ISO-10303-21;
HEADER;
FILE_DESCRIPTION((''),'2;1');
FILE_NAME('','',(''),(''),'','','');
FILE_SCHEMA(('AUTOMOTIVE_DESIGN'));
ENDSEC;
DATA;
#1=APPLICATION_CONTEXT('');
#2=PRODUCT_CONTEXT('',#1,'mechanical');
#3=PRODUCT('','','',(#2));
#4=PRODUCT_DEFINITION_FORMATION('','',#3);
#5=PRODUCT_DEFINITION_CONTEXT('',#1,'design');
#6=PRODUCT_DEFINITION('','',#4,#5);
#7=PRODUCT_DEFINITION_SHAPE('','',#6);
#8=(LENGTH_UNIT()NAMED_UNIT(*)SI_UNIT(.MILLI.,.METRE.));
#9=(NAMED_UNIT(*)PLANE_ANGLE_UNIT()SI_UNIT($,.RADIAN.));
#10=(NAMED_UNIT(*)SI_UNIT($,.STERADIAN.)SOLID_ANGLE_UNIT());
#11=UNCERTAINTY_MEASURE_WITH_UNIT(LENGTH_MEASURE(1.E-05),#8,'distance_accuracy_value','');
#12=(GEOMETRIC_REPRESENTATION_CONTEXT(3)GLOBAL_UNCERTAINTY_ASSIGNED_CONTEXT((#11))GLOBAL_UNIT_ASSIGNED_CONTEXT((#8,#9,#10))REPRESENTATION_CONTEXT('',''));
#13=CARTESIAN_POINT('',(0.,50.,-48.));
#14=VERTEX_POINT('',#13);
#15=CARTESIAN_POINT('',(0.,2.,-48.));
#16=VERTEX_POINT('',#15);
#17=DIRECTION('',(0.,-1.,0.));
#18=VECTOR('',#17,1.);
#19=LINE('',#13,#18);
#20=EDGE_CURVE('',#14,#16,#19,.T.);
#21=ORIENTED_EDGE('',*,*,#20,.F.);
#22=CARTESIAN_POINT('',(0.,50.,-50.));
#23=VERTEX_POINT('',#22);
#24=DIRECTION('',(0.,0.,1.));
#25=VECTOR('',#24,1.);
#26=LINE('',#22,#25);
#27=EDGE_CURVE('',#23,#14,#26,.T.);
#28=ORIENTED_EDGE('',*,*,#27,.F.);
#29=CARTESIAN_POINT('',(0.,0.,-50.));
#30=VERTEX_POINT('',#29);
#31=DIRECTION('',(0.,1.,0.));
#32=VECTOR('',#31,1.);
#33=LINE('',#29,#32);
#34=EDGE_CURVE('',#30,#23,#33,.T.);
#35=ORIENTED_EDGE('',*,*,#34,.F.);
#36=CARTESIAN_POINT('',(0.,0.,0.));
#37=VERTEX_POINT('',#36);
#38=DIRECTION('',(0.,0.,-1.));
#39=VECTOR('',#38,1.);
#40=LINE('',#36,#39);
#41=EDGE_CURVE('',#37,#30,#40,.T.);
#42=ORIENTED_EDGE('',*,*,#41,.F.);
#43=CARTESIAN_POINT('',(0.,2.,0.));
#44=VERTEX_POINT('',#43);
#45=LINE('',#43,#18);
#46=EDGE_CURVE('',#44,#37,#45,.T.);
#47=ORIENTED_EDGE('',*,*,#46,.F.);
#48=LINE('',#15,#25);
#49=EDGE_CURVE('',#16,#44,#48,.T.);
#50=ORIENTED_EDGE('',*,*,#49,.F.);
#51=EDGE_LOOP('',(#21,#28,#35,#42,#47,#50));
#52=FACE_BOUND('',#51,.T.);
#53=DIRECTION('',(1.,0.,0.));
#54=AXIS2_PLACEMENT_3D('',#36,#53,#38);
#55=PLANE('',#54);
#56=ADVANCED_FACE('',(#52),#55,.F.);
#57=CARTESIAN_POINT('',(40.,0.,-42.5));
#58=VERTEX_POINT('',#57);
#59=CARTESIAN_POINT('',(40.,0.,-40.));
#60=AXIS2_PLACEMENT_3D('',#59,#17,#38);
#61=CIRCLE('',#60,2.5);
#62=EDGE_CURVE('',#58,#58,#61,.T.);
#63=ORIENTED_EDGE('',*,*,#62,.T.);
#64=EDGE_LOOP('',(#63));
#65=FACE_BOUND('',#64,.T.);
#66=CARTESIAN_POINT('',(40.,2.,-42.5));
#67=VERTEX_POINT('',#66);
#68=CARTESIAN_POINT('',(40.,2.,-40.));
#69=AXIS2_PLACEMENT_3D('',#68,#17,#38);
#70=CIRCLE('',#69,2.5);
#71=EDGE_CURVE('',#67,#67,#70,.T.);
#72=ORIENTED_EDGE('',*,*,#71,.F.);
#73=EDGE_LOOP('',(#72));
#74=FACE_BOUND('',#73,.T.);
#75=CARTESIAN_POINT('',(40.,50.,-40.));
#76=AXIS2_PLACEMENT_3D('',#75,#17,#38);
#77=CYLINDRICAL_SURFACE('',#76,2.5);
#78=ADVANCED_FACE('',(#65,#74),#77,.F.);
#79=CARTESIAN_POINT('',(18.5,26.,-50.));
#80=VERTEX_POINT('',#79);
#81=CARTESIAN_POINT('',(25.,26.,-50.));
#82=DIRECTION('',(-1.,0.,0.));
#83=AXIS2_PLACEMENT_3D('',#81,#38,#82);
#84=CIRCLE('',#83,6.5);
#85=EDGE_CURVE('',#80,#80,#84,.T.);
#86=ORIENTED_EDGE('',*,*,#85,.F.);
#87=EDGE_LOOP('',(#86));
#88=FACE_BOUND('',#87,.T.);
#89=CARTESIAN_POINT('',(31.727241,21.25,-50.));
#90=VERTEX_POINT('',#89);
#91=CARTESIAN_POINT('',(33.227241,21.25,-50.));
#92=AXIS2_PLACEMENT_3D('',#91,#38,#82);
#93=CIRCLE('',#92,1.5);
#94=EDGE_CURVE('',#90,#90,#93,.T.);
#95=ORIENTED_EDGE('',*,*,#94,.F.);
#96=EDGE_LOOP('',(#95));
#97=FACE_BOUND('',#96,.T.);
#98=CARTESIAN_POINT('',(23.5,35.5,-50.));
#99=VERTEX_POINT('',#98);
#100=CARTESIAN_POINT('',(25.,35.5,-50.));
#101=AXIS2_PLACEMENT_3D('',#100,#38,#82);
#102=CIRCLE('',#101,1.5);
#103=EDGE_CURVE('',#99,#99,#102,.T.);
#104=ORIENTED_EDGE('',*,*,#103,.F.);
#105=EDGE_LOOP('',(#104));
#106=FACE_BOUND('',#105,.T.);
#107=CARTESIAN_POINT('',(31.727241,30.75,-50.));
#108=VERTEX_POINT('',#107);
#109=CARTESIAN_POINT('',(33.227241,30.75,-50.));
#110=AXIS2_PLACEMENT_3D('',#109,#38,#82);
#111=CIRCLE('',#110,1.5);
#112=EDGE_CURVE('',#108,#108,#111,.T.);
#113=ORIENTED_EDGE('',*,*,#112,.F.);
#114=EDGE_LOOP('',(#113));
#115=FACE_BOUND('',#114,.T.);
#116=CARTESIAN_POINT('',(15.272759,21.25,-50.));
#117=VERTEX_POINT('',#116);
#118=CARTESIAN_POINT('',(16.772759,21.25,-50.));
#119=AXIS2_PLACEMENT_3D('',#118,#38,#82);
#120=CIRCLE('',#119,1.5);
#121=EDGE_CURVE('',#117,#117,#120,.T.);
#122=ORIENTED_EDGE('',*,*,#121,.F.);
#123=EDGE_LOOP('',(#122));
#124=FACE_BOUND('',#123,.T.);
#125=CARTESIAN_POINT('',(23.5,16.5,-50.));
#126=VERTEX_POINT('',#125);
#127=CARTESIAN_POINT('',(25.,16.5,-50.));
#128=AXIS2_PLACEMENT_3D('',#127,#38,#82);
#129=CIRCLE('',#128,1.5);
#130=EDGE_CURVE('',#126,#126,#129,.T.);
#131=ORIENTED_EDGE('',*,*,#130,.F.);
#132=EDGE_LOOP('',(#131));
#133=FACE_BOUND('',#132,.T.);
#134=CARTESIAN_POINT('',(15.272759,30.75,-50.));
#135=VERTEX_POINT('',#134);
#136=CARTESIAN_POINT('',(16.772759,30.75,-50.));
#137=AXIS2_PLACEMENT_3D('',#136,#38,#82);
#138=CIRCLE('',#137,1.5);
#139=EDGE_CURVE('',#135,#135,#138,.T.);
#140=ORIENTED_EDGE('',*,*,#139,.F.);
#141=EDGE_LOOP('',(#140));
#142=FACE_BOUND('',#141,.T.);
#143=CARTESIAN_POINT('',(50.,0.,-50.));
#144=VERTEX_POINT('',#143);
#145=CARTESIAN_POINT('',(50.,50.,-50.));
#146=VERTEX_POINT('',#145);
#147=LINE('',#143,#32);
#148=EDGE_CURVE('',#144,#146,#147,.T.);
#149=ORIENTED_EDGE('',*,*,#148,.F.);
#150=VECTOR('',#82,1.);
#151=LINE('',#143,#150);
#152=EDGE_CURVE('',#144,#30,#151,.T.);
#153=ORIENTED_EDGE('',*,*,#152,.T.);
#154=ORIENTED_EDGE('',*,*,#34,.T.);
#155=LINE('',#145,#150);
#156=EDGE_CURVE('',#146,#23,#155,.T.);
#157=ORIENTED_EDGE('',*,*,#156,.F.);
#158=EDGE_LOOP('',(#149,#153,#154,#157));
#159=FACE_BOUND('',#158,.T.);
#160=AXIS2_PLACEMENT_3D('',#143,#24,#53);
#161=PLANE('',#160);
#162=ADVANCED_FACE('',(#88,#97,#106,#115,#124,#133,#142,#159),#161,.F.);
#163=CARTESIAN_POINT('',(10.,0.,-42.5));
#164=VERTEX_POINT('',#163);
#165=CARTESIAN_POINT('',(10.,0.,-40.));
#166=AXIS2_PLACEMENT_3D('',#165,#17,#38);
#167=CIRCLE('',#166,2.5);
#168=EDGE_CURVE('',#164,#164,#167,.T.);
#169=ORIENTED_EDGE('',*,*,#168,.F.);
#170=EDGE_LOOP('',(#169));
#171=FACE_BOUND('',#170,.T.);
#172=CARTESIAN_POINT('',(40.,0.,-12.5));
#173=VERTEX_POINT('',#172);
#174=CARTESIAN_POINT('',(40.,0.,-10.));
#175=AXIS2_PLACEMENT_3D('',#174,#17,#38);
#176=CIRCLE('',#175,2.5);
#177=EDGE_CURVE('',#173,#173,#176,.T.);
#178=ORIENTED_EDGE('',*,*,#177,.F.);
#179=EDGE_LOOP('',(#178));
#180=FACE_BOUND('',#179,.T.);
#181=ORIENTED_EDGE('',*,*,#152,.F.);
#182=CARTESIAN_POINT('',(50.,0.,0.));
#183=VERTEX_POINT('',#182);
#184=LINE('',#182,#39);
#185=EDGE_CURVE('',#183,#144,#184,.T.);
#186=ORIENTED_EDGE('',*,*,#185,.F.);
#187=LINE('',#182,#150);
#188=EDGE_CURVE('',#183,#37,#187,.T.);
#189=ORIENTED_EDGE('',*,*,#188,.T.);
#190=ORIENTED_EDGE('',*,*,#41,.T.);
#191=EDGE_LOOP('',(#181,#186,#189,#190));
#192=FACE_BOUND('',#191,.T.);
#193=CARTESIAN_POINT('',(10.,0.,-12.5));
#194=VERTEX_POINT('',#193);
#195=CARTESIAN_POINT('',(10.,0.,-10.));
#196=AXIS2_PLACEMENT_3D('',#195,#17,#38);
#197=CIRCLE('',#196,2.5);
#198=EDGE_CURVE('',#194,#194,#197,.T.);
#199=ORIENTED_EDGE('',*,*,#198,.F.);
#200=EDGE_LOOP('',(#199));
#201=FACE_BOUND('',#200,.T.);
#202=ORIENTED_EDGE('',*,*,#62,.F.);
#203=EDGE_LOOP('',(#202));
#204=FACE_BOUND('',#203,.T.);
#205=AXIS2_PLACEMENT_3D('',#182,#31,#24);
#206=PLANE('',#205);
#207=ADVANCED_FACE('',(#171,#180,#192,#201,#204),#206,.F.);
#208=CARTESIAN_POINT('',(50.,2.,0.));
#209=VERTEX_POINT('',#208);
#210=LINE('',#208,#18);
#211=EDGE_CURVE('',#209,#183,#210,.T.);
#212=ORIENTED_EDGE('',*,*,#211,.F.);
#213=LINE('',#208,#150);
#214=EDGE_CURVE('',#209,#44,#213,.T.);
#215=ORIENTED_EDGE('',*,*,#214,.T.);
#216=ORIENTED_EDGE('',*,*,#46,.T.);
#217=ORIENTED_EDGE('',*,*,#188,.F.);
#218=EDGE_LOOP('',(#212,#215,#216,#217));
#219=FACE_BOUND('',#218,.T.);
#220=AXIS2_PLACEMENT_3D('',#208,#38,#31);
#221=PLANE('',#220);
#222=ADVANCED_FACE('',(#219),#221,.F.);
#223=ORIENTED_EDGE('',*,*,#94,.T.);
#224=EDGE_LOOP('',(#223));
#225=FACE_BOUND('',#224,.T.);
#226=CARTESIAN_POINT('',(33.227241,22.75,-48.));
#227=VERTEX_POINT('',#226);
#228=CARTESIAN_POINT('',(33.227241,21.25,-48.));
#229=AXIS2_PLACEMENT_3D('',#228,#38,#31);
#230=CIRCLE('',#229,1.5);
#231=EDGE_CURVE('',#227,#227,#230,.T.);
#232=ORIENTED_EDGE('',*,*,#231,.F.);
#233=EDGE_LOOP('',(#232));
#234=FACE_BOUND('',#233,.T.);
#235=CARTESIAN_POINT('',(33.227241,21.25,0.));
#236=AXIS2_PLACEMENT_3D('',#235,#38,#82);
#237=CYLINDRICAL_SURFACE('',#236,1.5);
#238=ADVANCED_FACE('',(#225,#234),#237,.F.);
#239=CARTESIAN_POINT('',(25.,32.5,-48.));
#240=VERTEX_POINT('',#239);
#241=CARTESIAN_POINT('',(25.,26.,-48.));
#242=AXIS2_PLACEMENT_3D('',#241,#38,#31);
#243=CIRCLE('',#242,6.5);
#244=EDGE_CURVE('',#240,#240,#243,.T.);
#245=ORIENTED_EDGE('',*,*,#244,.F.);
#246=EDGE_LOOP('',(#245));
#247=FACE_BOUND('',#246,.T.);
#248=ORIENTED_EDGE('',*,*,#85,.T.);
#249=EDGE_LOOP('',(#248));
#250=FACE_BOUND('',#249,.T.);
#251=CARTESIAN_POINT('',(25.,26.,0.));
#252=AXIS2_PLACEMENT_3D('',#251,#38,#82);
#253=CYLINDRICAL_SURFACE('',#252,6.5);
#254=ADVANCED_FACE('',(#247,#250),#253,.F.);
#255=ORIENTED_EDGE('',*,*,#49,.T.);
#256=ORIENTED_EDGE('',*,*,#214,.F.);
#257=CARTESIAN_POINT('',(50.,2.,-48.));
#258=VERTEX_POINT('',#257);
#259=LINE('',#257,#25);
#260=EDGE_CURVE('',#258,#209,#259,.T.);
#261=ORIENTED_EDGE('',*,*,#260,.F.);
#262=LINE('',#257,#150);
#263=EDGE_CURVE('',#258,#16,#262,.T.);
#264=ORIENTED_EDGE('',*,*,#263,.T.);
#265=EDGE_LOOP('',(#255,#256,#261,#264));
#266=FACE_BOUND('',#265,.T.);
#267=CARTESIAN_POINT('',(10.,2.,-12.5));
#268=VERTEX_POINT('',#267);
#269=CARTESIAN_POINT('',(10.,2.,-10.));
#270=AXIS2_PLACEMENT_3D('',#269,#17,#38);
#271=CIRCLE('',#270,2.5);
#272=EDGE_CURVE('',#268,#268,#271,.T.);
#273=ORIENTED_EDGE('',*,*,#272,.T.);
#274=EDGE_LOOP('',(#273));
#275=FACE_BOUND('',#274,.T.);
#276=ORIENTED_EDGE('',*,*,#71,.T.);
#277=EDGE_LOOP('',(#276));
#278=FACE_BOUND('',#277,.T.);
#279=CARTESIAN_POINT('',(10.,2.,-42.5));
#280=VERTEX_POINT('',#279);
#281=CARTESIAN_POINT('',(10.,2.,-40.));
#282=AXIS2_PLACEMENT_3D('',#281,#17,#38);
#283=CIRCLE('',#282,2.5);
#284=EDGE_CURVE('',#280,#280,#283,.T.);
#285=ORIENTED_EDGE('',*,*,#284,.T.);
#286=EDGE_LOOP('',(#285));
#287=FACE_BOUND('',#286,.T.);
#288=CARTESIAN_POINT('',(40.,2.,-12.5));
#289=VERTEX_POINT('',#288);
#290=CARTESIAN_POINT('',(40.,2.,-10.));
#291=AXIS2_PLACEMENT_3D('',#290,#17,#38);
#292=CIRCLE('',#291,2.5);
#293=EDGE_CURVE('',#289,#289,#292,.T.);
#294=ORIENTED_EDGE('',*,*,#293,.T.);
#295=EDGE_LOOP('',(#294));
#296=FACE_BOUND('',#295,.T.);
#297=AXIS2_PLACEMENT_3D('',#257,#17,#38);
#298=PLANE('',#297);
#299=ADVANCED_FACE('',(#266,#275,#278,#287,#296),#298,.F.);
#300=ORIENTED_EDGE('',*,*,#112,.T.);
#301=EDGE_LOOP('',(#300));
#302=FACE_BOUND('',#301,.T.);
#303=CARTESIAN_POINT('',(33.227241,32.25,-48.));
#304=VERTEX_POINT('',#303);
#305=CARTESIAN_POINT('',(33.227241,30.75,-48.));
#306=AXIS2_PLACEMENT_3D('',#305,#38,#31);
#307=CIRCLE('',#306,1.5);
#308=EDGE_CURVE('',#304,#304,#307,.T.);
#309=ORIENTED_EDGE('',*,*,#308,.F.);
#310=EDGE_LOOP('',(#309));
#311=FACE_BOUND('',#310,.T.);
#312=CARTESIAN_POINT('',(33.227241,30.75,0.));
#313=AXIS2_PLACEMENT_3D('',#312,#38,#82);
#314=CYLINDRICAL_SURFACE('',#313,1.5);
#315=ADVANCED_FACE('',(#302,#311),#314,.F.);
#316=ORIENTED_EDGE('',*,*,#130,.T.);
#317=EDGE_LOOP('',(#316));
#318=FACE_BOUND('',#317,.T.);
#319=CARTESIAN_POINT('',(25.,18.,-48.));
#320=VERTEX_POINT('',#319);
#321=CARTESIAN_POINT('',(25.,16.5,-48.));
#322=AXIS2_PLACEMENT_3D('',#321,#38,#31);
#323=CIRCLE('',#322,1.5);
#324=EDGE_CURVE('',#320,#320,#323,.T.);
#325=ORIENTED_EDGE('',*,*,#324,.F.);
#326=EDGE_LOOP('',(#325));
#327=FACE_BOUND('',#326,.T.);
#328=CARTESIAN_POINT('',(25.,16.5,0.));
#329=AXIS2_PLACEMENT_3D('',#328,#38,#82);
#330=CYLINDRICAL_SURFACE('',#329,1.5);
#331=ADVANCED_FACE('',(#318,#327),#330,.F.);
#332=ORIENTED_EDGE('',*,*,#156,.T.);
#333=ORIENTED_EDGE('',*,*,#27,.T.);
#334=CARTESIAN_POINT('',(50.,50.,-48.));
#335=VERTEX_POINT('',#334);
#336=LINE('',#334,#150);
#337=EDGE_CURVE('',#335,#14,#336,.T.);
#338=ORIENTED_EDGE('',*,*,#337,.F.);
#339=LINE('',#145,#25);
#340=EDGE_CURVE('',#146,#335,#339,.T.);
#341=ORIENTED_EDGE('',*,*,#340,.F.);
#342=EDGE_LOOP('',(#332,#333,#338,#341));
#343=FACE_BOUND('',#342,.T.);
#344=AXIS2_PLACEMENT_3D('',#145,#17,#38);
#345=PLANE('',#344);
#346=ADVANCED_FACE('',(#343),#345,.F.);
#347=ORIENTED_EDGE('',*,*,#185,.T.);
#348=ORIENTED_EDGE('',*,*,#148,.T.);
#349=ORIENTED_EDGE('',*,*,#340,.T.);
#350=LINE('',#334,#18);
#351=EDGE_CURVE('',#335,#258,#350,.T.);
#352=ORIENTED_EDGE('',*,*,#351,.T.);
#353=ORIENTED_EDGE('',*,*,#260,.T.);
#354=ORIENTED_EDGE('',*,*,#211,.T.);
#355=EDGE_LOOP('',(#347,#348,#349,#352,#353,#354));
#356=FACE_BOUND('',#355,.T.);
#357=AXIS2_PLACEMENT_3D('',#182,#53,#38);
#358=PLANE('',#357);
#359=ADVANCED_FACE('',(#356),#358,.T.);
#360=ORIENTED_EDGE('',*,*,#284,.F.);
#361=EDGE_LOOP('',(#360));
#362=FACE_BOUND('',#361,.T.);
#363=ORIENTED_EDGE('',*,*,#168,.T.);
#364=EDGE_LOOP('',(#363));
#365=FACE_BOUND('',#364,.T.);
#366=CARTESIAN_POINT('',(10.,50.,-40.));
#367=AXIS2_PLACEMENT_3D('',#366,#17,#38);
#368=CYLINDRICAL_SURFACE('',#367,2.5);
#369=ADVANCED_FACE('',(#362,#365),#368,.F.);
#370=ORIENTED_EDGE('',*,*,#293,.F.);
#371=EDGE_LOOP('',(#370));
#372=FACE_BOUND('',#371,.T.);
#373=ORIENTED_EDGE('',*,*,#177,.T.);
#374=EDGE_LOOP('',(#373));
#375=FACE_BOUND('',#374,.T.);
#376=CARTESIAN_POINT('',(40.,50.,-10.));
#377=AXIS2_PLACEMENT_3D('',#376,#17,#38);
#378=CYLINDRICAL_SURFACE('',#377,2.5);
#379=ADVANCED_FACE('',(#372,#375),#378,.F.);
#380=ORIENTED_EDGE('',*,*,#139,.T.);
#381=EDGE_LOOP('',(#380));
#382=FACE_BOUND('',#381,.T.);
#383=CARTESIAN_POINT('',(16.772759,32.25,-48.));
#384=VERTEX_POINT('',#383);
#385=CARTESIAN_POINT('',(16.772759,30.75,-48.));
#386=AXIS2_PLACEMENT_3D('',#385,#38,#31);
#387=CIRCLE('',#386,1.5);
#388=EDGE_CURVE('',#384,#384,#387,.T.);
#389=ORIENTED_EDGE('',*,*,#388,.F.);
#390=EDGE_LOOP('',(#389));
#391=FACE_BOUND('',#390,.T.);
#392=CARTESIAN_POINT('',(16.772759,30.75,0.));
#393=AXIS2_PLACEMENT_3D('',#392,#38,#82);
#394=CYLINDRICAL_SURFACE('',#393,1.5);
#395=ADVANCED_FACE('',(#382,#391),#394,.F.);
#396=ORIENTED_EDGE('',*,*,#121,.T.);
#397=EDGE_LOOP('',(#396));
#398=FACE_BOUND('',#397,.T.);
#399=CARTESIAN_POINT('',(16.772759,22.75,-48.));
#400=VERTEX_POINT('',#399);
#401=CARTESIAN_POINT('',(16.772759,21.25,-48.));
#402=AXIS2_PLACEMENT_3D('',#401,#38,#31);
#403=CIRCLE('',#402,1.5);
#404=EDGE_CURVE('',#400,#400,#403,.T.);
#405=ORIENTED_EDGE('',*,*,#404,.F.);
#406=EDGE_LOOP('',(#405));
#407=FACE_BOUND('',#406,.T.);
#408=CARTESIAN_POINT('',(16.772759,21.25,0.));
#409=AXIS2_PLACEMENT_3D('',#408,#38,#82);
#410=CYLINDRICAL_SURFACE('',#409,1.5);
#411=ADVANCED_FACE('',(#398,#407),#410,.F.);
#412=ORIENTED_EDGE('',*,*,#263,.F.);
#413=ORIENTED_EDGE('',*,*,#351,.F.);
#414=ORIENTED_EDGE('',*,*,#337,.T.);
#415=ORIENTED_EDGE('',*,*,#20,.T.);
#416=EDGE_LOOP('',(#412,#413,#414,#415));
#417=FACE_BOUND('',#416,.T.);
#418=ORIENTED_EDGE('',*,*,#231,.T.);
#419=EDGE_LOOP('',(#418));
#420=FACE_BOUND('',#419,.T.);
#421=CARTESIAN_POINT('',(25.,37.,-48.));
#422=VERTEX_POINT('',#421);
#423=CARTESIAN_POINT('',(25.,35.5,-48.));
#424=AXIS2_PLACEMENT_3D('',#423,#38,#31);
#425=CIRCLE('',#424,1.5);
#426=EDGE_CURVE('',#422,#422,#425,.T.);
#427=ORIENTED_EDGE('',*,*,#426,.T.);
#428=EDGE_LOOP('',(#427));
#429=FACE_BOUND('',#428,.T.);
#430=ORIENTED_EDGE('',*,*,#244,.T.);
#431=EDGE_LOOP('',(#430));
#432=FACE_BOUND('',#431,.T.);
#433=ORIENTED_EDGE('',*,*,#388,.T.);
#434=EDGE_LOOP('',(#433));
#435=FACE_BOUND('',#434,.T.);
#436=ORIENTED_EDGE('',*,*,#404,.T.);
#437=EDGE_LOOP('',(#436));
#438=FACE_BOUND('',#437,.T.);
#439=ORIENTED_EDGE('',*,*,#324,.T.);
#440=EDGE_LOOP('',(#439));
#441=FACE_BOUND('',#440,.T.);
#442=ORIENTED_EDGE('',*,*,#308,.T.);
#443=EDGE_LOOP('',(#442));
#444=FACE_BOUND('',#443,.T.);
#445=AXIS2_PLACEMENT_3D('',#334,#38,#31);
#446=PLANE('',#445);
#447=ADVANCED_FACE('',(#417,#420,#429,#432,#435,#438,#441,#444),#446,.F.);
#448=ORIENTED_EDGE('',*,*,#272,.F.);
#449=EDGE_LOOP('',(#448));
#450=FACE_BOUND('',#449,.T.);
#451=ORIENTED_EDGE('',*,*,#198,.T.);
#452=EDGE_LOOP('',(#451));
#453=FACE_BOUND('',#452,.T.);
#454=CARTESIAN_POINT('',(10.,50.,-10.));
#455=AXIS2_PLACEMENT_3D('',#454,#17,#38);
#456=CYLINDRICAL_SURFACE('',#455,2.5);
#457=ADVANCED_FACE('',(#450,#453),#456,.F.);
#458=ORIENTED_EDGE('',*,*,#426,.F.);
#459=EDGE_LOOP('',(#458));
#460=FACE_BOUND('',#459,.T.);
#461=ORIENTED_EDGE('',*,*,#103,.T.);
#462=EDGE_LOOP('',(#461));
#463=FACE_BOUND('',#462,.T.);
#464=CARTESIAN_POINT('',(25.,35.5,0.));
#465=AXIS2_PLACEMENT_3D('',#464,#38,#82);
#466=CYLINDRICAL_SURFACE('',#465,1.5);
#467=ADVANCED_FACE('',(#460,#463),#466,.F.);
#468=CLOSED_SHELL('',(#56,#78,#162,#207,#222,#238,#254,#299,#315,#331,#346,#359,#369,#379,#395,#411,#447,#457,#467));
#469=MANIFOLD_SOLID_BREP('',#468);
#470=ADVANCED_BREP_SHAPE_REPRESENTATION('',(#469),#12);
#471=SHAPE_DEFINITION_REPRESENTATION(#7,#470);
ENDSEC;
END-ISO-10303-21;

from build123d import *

# Parameters (mm, degrees)
EXTRUDE_1_DEPTH     = 50
SKETCH_3_R          = 6.5
SKETCH_3_R_2        = 1.5
CUT_EXTRUDE_1_DEPTH = 50
SKETCH_4_R          = 2.5
CUT_EXTRUDE_2_DEPTH = 50


with BuildPart() as part:
    # 草图2 → 凸台-拉伸1 (new body)
    with BuildSketch(Plane(origin=(0, 0, 0), x_dir=(0, 0, -1), z_dir=(1, 0, 0))):
        Polygon((0, 0), (50, 0), (50, 50), (48, 50), (48, 2), (0, 2), align=None)
    extrude(amount=EXTRUDE_1_DEPTH)

    # 草图3 → 切除-拉伸1 (cut)
    with BuildSketch(Plane(origin=(0, 0, -50), x_dir=(-1, 0, 0), z_dir=(0, 0, -1))):
        with Locations((-25, 26)):
            Circle(SKETCH_3_R)
        with Locations((-25, 35.5)):
            Circle(SKETCH_3_R_2)
        with Locations((-16.772758664, 30.75)):
            Circle(SKETCH_3_R_2)
        with Locations((-16.772758664, 21.25)):
            Circle(SKETCH_3_R_2)
        with Locations((-25, 16.5)):
            Circle(SKETCH_3_R_2)
        with Locations((-33.227241336, 21.25)):
            Circle(SKETCH_3_R_2)
        with Locations((-33.227241336, 30.75)):
            Circle(SKETCH_3_R_2)
    extrude(amount=-CUT_EXTRUDE_1_DEPTH, mode=Mode.SUBTRACT)

    # 草图4 → 切除-拉伸2 (cut)
    with BuildSketch(Plane.XZ):
        with Locations(Location((10, -10, 0), (0, 0, 270))):
            Circle(SKETCH_4_R)
        with Locations(Location((40, -10, 0), (0, 0, 270))):
            Circle(SKETCH_4_R)
        with Locations(Location((10, -40, 0), (0, 0, 270))):
            Circle(SKETCH_4_R)
        with Locations(Location((40, -40, 0), (0, 0, 270))):
            Circle(SKETCH_4_R)
    extrude(amount=-CUT_EXTRUDE_2_DEPTH, mode=Mode.SUBTRACT)


solid = part.part
